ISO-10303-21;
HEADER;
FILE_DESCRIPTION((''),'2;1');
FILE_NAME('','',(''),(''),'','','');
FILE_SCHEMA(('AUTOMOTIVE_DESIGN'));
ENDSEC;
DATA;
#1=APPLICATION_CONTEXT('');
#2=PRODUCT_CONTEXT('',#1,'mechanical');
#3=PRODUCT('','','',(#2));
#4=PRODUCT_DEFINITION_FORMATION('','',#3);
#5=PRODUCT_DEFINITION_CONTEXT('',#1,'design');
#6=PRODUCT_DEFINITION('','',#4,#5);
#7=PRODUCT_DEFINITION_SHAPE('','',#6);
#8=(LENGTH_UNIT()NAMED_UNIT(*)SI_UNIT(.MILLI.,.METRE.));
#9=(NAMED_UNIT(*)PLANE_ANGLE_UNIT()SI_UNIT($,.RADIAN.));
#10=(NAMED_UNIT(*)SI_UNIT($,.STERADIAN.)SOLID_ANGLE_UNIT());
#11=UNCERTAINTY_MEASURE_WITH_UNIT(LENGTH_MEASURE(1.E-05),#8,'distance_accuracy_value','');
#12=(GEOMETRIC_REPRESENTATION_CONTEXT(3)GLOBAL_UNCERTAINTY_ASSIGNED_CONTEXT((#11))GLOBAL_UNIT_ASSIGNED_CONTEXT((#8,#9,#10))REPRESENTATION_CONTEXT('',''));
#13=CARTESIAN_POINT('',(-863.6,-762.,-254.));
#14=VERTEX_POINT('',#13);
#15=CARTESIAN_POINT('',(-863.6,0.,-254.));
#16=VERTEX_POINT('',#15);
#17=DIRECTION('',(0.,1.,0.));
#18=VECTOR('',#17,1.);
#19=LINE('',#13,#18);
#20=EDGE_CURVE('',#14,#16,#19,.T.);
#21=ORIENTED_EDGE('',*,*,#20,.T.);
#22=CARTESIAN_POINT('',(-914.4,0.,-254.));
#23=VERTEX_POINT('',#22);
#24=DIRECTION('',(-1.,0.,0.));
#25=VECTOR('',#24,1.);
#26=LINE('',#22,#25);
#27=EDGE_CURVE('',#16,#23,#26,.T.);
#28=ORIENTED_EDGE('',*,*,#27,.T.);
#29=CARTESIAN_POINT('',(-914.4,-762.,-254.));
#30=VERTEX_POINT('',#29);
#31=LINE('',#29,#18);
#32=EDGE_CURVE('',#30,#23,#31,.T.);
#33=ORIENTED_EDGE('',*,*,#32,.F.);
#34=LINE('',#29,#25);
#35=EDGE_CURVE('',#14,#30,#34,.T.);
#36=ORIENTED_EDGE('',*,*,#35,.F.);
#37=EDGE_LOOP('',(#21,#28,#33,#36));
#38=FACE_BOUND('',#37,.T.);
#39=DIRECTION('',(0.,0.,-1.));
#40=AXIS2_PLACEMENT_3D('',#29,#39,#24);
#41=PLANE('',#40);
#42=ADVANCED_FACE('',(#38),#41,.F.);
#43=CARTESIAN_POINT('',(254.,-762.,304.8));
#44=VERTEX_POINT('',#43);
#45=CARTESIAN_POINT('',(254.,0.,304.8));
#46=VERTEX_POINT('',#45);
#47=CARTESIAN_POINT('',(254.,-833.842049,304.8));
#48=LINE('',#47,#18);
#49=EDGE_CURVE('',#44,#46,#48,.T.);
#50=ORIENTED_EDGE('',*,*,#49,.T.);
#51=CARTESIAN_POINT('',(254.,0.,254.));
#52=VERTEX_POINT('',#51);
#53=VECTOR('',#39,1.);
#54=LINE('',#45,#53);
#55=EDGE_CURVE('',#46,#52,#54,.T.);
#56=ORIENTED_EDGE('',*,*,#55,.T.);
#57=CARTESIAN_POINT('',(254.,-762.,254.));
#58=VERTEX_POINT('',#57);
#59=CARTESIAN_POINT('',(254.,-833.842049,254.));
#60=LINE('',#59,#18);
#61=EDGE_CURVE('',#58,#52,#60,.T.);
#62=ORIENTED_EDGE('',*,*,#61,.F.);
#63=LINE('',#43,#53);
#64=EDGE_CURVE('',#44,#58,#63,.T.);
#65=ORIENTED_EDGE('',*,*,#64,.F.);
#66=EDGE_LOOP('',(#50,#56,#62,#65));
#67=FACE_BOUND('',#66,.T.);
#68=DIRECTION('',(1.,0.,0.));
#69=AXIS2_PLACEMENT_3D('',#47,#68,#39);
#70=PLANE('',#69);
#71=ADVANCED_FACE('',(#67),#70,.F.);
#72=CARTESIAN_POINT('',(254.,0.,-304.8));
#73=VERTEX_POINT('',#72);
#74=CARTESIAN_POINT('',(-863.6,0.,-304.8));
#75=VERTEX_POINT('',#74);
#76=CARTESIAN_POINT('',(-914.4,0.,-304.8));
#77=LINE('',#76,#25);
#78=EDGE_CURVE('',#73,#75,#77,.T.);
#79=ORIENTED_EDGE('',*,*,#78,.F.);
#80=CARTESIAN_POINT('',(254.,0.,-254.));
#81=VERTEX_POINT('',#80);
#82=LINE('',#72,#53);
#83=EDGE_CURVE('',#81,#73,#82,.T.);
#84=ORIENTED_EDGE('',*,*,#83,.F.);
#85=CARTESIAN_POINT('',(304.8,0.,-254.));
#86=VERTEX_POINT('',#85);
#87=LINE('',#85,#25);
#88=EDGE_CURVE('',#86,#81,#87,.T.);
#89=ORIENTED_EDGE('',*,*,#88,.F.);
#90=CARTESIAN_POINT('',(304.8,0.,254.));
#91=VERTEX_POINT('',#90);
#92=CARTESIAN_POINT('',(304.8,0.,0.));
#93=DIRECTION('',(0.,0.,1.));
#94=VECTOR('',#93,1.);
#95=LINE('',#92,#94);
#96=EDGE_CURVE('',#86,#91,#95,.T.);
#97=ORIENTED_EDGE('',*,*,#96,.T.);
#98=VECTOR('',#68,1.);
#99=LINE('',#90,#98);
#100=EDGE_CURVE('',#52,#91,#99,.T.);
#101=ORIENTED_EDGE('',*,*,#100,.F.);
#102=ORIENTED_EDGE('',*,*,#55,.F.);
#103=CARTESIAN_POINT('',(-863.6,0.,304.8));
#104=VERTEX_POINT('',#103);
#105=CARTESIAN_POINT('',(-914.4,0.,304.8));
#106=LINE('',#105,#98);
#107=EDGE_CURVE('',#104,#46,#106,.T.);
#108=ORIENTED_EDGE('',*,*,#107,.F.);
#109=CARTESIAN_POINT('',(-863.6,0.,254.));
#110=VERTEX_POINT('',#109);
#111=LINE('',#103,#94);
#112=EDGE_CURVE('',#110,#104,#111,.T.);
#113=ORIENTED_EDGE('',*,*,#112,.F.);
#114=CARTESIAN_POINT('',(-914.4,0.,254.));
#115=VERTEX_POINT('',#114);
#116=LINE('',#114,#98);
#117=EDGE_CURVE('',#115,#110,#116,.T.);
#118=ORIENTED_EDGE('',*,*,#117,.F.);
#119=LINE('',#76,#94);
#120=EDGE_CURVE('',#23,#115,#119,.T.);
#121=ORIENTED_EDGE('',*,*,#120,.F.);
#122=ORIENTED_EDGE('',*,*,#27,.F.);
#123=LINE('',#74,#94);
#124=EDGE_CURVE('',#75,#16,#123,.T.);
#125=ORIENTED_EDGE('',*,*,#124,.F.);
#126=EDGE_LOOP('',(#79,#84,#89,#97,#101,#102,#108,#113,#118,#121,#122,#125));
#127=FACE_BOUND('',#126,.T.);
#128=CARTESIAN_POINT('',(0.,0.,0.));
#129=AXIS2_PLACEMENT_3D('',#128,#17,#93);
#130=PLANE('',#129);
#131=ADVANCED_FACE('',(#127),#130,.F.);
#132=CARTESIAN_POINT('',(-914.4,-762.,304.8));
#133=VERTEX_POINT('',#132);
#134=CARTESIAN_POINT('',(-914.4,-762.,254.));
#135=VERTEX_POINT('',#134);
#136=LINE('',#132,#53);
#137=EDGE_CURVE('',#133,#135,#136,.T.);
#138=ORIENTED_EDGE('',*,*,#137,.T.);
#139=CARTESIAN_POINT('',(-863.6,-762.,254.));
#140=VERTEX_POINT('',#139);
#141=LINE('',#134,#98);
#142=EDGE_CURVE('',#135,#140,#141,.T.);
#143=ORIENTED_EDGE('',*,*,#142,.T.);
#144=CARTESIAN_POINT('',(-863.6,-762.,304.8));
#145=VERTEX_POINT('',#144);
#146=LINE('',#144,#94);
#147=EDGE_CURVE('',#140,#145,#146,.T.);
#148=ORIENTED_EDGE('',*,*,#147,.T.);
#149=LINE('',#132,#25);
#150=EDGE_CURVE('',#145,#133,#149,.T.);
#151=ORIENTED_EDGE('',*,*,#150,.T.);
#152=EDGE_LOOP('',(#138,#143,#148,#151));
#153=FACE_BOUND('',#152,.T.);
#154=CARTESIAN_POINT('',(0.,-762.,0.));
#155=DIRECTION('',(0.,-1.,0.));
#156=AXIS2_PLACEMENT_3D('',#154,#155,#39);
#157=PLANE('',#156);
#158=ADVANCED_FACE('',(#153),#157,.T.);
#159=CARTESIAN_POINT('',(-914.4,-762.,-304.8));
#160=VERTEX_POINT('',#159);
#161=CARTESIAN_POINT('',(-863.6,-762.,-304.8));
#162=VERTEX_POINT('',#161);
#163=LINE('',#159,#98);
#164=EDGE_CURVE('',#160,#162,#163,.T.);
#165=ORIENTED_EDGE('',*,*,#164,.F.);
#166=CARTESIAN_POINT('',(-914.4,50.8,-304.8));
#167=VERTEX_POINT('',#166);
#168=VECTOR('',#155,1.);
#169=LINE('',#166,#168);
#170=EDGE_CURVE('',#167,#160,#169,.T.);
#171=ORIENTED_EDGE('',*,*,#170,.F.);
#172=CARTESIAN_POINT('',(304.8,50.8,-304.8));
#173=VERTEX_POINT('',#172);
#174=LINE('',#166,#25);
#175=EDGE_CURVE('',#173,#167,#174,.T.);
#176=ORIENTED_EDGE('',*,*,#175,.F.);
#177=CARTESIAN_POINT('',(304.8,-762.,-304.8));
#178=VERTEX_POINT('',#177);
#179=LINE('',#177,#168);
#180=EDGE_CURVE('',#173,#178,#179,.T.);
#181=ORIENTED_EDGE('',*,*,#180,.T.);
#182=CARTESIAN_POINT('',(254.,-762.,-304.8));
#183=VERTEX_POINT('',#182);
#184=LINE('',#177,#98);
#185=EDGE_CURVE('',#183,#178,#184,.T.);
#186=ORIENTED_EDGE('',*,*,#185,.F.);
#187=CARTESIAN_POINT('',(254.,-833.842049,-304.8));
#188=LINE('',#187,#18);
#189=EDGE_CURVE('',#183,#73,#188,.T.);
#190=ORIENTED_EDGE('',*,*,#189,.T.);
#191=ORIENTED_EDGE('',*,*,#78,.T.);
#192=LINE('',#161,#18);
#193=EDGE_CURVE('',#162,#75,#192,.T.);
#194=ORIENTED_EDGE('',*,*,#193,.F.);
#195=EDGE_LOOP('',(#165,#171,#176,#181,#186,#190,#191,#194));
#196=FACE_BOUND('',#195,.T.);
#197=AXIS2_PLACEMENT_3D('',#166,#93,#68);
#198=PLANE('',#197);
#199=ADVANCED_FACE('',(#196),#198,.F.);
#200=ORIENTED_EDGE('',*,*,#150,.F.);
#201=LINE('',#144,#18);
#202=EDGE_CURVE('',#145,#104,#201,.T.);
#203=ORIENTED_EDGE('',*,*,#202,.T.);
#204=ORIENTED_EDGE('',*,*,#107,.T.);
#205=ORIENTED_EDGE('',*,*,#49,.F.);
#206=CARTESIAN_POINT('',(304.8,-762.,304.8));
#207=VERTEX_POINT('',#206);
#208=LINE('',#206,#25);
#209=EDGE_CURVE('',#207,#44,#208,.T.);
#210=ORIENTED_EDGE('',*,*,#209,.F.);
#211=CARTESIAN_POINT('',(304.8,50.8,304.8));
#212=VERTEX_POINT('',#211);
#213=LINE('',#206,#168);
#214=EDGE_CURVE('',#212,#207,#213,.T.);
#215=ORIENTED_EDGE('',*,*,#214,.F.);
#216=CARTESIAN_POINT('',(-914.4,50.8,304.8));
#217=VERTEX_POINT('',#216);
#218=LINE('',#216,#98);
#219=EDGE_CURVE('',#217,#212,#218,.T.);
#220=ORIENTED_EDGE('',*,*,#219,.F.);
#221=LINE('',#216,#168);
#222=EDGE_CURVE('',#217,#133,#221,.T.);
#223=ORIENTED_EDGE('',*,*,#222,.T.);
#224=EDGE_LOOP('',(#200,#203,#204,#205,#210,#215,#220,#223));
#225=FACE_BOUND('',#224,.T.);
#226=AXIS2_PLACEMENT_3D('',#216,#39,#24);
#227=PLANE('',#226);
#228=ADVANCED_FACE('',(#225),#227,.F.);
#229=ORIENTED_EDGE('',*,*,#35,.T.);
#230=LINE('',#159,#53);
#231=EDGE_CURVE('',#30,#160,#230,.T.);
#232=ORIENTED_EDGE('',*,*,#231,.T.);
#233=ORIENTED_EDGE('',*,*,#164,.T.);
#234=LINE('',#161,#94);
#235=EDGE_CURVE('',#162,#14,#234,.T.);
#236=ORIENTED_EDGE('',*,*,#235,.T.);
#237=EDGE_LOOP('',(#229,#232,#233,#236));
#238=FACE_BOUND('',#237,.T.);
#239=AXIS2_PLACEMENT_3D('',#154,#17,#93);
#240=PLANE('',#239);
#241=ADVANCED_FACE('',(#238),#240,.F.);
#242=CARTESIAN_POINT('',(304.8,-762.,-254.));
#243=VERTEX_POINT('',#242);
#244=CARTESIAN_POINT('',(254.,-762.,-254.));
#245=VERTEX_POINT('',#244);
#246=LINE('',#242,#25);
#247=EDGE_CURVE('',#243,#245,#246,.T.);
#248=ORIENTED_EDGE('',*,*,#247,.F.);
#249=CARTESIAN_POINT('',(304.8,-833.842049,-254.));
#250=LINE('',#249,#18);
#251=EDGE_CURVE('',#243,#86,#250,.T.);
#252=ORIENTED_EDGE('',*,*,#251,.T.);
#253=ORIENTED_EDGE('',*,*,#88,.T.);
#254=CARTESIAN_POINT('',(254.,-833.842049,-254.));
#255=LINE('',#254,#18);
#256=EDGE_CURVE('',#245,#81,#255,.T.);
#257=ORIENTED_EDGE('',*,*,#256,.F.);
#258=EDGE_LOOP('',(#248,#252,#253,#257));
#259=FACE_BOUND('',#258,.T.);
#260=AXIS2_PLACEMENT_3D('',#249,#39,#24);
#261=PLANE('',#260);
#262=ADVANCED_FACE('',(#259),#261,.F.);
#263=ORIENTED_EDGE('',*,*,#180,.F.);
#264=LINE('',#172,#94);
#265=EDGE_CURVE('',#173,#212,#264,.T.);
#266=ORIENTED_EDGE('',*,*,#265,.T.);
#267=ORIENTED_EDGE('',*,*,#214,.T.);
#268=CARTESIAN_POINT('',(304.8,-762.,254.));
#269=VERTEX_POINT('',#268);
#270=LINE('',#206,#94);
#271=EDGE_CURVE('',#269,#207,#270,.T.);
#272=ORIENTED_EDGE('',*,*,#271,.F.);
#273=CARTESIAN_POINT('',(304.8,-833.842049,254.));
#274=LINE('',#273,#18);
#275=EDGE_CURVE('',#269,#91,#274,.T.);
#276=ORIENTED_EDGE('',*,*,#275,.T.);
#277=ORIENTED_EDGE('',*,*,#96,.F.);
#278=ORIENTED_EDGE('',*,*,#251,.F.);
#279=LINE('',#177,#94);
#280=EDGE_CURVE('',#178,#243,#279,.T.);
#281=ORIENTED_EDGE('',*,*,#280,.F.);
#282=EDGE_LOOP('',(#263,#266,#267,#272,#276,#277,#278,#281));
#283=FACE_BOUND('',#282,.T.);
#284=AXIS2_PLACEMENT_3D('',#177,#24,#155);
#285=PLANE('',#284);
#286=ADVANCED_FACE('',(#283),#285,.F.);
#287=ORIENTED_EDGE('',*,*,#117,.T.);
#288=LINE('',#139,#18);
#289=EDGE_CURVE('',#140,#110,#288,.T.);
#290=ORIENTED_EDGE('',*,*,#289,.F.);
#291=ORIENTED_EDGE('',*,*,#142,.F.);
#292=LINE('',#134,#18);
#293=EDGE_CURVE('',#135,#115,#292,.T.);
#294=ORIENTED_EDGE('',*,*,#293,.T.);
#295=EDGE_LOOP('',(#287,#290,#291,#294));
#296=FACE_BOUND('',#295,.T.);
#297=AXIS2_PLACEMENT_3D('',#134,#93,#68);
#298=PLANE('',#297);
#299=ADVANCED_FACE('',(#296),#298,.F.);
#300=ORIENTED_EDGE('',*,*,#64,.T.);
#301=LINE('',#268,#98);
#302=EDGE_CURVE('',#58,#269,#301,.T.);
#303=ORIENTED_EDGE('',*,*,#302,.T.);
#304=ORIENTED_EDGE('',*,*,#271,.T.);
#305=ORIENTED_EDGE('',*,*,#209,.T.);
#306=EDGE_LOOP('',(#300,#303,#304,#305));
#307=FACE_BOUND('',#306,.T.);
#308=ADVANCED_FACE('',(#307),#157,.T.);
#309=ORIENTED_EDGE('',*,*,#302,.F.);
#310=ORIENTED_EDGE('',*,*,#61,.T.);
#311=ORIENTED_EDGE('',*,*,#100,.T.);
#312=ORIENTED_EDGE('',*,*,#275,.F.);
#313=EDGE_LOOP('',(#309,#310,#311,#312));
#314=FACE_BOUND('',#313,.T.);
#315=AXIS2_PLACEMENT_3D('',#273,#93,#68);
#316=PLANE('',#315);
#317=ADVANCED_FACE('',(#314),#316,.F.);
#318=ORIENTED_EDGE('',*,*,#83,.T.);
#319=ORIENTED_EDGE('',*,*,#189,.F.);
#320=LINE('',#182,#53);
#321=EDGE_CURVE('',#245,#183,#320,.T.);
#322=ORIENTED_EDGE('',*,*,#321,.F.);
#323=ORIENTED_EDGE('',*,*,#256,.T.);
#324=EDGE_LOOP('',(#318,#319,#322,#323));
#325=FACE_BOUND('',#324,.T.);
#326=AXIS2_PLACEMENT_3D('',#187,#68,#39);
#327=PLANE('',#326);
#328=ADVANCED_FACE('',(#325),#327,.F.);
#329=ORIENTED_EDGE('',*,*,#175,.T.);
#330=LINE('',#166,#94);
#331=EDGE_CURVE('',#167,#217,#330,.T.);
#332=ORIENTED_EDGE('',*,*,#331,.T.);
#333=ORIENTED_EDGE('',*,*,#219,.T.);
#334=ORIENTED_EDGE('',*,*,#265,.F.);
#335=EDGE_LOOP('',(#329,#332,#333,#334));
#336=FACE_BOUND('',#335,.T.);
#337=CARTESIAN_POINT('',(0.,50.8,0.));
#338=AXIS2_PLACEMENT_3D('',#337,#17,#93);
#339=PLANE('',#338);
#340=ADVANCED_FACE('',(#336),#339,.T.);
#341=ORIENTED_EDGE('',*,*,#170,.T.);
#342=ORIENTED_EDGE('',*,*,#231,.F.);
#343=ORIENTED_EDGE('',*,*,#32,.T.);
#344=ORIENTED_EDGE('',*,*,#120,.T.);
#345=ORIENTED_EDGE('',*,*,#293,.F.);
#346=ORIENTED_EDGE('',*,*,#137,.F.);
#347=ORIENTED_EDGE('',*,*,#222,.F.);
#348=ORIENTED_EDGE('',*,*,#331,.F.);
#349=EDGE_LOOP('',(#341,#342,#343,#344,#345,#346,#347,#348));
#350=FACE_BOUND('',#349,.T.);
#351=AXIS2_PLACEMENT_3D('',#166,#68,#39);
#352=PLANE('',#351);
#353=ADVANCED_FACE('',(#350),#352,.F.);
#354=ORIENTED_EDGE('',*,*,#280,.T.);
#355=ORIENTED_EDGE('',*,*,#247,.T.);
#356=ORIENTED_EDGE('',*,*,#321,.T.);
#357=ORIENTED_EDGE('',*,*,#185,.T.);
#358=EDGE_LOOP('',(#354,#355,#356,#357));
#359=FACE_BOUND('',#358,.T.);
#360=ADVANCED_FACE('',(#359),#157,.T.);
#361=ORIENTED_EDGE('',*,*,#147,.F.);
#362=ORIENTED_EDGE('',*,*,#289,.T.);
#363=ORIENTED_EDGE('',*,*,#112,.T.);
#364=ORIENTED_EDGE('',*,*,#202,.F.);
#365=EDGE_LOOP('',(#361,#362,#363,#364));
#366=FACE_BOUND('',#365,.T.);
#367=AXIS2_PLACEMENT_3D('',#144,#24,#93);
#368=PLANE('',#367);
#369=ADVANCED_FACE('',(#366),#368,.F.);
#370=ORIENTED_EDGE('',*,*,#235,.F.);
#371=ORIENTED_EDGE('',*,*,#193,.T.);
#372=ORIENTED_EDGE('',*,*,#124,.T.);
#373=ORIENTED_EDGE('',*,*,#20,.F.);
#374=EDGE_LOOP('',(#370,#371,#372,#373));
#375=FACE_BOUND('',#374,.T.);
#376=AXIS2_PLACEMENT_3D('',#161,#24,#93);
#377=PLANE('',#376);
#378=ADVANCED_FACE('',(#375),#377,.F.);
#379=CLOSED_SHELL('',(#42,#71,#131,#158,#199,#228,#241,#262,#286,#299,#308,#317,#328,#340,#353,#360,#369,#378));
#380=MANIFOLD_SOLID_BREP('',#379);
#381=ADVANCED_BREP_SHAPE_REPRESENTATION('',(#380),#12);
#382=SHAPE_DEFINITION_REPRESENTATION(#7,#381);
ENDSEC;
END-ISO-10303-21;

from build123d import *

# Parameters (mm, degrees)
SKETCH1_W           = 1828.8
SKETCH1_H           = 609.6
BOSS_EXTRUDE1_DEPTH = 50.8
SKETCH2_W           = 50.8
SKETCH2_H           = 50.8
BOSS_EXTRUDE2_DEPTH = 762
SKETCH3_W           = 609.6
SKETCH3_H           = 812.8
CUT_EXTRUDE1_DEPTH  = 1338.304572639
SKETCH4_W           = 50.8
SKETCH4_H           = 50.8
BOSS_EXTRUDE3_DEPTH = 762


with BuildPart() as part:
    # Sketch1 → Boss-Extrude1 (new body)
    with BuildSketch(Plane(origin=(0, 0, 0), x_dir=(1, 0, 0), z_dir=(0, 1, 0))):
        Rectangle(SKETCH1_W, SKETCH1_H)
    extrude(amount=BOSS_EXTRUDE1_DEPTH)

    # Sketch2 → Boss-Extrude2 (add)
    with BuildSketch(Plane.XZ):
        with Locations((-889, 279.4)):
            Rectangle(SKETCH2_W, SKETCH2_H)
        with Locations((-889, -279.4)):
            Rectangle(SKETCH2_W, SKETCH2_H)
        with Locations((889, 279.4)):
            Rectangle(SKETCH2_W, SKETCH2_H)
        with Locations((889, -279.4)):
            Rectangle(SKETCH2_W, SKETCH2_H)
    extrude(amount=BOSS_EXTRUDE2_DEPTH)

    # Sketch3 → Cut-Extrude1 (cut, through all)
    with BuildSketch(Plane.XY.offset(304.8)):
        with Locations((609.6, -355.6)):
            Rectangle(SKETCH3_W, SKETCH3_H)
    extrude(amount=-CUT_EXTRUDE1_DEPTH, mode=Mode.SUBTRACT)

    # Sketch4 → Boss-Extrude3 (add)
    with BuildSketch(Plane.XZ):
        with Locations((279.4, 279.4)):
            Rectangle(SKETCH4_W, SKETCH4_H)
        with Locations((279.4, -279.4)):
            Rectangle(SKETCH4_W, SKETCH4_H)
    extrude(amount=BOSS_EXTRUDE3_DEPTH)


solid = part.part
